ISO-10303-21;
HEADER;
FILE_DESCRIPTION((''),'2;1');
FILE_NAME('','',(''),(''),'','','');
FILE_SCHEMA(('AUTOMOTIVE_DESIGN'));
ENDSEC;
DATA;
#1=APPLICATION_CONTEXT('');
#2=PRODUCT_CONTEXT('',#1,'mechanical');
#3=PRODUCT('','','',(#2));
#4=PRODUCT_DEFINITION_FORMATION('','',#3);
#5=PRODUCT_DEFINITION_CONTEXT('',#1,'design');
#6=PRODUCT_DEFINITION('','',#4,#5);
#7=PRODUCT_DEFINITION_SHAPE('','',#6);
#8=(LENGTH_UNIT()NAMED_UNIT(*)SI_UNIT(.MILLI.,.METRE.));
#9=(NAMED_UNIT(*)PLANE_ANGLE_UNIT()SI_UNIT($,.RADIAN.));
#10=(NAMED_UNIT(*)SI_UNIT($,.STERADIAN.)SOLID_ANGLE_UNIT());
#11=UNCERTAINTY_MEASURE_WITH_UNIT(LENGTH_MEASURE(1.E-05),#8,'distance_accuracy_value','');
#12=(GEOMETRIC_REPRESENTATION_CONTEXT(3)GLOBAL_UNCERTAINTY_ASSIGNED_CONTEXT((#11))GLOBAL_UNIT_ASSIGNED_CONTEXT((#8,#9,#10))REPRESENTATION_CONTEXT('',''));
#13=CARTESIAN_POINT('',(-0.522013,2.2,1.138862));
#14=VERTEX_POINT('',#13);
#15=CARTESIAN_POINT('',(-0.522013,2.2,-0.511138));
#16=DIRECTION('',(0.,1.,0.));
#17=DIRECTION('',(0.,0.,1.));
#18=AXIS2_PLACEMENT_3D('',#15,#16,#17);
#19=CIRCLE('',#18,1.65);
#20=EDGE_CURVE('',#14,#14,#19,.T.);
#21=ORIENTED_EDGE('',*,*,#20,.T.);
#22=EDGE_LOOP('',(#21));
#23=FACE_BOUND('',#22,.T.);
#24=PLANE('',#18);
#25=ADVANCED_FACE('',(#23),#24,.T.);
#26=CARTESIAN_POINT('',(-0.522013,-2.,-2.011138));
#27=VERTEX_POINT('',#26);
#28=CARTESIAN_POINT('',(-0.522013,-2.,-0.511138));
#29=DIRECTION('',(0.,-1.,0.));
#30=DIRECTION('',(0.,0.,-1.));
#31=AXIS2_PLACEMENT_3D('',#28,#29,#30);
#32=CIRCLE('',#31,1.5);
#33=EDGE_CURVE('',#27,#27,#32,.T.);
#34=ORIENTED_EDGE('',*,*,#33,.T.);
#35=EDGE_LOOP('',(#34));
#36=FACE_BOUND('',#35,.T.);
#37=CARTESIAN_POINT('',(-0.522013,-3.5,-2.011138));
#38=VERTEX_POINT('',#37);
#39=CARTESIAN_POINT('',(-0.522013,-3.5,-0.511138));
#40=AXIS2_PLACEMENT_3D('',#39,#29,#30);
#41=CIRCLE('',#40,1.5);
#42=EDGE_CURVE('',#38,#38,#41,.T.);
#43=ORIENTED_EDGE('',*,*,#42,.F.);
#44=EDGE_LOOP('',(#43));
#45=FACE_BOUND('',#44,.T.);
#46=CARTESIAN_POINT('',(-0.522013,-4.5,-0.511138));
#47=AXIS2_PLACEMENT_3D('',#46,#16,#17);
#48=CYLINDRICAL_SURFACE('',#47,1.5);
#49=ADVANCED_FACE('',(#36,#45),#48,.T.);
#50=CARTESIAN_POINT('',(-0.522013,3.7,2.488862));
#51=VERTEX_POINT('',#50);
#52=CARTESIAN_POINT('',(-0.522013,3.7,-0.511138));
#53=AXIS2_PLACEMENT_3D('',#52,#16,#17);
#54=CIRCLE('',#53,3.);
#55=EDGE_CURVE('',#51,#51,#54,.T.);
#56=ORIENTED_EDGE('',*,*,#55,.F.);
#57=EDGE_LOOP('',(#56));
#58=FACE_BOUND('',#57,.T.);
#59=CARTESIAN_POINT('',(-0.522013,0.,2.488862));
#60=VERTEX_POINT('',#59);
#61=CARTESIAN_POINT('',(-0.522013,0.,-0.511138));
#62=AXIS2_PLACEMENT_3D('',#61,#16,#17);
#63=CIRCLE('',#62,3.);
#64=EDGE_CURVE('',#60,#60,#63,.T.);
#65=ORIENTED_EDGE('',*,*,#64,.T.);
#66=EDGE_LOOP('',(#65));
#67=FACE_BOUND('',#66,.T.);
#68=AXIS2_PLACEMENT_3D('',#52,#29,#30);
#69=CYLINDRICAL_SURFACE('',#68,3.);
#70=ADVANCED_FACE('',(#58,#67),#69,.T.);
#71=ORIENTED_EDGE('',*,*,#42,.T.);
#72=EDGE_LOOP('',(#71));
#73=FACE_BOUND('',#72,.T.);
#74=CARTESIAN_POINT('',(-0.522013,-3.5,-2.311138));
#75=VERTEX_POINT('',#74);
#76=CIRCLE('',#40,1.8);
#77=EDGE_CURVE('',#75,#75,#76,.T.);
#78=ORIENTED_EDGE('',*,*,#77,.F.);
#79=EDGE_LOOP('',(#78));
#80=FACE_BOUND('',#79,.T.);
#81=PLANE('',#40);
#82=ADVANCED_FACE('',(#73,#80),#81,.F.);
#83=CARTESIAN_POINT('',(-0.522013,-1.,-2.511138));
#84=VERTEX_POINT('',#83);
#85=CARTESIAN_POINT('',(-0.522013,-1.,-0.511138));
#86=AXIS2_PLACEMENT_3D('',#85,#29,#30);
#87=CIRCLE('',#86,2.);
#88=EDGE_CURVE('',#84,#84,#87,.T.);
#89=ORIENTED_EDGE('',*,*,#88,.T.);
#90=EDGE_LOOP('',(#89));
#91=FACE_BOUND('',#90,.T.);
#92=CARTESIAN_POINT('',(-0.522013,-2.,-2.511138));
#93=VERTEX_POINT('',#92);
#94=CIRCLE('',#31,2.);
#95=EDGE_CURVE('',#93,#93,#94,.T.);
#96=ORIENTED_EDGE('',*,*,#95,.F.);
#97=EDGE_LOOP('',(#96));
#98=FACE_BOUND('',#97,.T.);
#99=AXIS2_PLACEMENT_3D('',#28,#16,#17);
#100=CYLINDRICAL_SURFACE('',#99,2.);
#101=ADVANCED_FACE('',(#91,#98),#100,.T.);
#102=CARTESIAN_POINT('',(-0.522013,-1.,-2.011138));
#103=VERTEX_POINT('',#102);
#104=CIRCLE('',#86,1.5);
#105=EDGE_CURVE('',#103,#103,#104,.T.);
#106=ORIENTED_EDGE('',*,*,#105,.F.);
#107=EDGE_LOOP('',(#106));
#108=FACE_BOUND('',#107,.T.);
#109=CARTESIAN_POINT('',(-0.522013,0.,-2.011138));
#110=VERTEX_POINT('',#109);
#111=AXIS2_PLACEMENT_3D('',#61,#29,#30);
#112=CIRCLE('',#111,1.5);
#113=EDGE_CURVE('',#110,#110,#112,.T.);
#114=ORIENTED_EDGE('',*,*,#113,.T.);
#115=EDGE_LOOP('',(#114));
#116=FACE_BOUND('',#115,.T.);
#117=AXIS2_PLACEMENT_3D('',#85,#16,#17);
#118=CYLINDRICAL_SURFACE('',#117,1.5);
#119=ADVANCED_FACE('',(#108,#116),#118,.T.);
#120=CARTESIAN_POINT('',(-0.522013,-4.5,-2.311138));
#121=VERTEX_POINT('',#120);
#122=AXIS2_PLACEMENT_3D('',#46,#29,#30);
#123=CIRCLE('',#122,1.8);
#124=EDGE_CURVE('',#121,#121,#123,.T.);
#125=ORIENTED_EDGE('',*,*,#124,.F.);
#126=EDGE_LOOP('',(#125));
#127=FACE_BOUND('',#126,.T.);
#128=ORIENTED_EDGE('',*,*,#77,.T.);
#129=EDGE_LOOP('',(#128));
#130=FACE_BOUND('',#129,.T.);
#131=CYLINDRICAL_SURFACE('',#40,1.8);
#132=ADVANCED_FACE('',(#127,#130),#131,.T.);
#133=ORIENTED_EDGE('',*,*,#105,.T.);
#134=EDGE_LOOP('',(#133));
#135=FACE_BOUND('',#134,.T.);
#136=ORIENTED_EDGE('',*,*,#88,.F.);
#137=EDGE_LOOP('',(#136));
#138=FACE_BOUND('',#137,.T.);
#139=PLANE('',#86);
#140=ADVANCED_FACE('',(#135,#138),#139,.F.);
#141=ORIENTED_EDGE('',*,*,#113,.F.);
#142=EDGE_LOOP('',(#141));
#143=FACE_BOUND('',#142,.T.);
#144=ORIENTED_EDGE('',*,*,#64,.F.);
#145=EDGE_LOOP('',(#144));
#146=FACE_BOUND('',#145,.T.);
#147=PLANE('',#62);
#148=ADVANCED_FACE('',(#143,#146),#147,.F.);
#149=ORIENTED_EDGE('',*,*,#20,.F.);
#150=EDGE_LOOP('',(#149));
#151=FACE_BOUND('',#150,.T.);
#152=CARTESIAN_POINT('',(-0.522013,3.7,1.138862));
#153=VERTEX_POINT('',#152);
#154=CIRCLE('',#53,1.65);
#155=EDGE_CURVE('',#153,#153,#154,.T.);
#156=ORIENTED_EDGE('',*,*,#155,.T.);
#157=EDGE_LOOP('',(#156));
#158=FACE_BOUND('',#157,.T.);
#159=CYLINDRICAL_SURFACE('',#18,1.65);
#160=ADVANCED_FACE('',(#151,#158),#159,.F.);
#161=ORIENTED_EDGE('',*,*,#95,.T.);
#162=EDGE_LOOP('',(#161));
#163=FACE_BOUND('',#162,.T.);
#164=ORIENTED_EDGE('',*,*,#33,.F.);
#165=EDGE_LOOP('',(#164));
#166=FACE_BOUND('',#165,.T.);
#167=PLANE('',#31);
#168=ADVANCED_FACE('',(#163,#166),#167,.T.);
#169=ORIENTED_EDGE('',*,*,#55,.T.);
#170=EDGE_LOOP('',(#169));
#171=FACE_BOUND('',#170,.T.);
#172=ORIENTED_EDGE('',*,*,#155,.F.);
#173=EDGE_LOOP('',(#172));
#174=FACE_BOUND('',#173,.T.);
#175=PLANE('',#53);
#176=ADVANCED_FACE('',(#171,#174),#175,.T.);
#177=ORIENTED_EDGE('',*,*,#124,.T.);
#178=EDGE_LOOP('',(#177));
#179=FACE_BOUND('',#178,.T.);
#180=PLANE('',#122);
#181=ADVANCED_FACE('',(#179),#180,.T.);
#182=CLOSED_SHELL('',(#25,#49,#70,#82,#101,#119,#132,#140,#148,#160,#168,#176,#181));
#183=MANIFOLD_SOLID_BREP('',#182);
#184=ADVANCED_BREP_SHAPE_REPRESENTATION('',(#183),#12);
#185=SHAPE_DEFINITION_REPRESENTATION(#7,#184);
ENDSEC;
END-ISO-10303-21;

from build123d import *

# Parameters (mm, degrees)
SKETCH1_R           = 3
BOSS_EXTRUDE1_DEPTH = 3.7
SKETCH1_3_R         = 1.6
BOSS_EXTRUDE2_DEPTH = 1
SKETCH5_R           = 1.5
BOSS_EXTRUDE3_DEPTH = 1
SKETCH6_R           = 2
BOSS_EXTRUDE4_DEPTH = 1
SKETCH8_R           = 1.5
BOSS_EXTRUDE5_DEPTH = 2.5
SKETCH10_R          = 1.8
BOSS_EXTRUDE6_DEPTH = 1
SKETCH12_R          = 1.65
CUT_EXTRUDE1_DEPTH  = 1.5


with BuildPart() as part:
    # Sketch1 → Boss-Extrude1 (new body)
    with BuildSketch(Plane(origin=(0, 0, 0), x_dir=(1, 0, 0), z_dir=(0, 1, 0))):
        with Locations((-0.522013312, 0.511138034)):
            Circle(SKETCH1_R)
    extrude(amount=BOSS_EXTRUDE1_DEPTH)

    # Sketch1<3> → Boss-Extrude2 (add)
    with BuildSketch(Plane(origin=(0, 0, 0), x_dir=(1, 0, 0), z_dir=(0, 1, 0))):
        with Locations((-0.522013312, 0.511138034)):
            Circle(SKETCH1_3_R)
    extrude(amount=BOSS_EXTRUDE2_DEPTH)

    # Sketch5 → Boss-Extrude3 (add)
    with BuildSketch(Plane.XZ):
        with Locations((-0.522013312, -0.511138034)):
            Circle(SKETCH5_R)
    extrude(amount=BOSS_EXTRUDE3_DEPTH)

    # Sketch6 → Boss-Extrude4 (add)
    with BuildSketch(Plane.XZ.offset(1)):
        with Locations((-0.522013312, -0.511138034)):
            Circle(SKETCH6_R)
    extrude(amount=BOSS_EXTRUDE4_DEPTH)

    # Sketch8 → Boss-Extrude5 (add)
    with BuildSketch(Plane(origin=(0, -2, 0), x_dir=(-1, 0, 0), z_dir=(0, -1, 0))):
        with Locations((0.522013312, 0.511138034)):
            Circle(SKETCH8_R)
    extrude(amount=BOSS_EXTRUDE5_DEPTH)

    # Sketch10 → Boss-Extrude6 (add)
    with BuildSketch(Plane.XZ.offset(4.5)):
        with Locations((-0.522013312, -0.511138034)):
            Circle(SKETCH10_R)
    extrude(amount=-BOSS_EXTRUDE6_DEPTH)

    # Sketch12 → Cut-Extrude1 (cut)
    with BuildSketch(Plane(origin=(0, 3.7, 0), x_dir=(1, 0, 0), z_dir=(0, 1, 0))):
        with Locations((-0.522013312, 0.511138034)):
            Circle(SKETCH12_R)
    extrude(amount=-CUT_EXTRUDE1_DEPTH, mode=Mode.SUBTRACT)


solid = part.part
